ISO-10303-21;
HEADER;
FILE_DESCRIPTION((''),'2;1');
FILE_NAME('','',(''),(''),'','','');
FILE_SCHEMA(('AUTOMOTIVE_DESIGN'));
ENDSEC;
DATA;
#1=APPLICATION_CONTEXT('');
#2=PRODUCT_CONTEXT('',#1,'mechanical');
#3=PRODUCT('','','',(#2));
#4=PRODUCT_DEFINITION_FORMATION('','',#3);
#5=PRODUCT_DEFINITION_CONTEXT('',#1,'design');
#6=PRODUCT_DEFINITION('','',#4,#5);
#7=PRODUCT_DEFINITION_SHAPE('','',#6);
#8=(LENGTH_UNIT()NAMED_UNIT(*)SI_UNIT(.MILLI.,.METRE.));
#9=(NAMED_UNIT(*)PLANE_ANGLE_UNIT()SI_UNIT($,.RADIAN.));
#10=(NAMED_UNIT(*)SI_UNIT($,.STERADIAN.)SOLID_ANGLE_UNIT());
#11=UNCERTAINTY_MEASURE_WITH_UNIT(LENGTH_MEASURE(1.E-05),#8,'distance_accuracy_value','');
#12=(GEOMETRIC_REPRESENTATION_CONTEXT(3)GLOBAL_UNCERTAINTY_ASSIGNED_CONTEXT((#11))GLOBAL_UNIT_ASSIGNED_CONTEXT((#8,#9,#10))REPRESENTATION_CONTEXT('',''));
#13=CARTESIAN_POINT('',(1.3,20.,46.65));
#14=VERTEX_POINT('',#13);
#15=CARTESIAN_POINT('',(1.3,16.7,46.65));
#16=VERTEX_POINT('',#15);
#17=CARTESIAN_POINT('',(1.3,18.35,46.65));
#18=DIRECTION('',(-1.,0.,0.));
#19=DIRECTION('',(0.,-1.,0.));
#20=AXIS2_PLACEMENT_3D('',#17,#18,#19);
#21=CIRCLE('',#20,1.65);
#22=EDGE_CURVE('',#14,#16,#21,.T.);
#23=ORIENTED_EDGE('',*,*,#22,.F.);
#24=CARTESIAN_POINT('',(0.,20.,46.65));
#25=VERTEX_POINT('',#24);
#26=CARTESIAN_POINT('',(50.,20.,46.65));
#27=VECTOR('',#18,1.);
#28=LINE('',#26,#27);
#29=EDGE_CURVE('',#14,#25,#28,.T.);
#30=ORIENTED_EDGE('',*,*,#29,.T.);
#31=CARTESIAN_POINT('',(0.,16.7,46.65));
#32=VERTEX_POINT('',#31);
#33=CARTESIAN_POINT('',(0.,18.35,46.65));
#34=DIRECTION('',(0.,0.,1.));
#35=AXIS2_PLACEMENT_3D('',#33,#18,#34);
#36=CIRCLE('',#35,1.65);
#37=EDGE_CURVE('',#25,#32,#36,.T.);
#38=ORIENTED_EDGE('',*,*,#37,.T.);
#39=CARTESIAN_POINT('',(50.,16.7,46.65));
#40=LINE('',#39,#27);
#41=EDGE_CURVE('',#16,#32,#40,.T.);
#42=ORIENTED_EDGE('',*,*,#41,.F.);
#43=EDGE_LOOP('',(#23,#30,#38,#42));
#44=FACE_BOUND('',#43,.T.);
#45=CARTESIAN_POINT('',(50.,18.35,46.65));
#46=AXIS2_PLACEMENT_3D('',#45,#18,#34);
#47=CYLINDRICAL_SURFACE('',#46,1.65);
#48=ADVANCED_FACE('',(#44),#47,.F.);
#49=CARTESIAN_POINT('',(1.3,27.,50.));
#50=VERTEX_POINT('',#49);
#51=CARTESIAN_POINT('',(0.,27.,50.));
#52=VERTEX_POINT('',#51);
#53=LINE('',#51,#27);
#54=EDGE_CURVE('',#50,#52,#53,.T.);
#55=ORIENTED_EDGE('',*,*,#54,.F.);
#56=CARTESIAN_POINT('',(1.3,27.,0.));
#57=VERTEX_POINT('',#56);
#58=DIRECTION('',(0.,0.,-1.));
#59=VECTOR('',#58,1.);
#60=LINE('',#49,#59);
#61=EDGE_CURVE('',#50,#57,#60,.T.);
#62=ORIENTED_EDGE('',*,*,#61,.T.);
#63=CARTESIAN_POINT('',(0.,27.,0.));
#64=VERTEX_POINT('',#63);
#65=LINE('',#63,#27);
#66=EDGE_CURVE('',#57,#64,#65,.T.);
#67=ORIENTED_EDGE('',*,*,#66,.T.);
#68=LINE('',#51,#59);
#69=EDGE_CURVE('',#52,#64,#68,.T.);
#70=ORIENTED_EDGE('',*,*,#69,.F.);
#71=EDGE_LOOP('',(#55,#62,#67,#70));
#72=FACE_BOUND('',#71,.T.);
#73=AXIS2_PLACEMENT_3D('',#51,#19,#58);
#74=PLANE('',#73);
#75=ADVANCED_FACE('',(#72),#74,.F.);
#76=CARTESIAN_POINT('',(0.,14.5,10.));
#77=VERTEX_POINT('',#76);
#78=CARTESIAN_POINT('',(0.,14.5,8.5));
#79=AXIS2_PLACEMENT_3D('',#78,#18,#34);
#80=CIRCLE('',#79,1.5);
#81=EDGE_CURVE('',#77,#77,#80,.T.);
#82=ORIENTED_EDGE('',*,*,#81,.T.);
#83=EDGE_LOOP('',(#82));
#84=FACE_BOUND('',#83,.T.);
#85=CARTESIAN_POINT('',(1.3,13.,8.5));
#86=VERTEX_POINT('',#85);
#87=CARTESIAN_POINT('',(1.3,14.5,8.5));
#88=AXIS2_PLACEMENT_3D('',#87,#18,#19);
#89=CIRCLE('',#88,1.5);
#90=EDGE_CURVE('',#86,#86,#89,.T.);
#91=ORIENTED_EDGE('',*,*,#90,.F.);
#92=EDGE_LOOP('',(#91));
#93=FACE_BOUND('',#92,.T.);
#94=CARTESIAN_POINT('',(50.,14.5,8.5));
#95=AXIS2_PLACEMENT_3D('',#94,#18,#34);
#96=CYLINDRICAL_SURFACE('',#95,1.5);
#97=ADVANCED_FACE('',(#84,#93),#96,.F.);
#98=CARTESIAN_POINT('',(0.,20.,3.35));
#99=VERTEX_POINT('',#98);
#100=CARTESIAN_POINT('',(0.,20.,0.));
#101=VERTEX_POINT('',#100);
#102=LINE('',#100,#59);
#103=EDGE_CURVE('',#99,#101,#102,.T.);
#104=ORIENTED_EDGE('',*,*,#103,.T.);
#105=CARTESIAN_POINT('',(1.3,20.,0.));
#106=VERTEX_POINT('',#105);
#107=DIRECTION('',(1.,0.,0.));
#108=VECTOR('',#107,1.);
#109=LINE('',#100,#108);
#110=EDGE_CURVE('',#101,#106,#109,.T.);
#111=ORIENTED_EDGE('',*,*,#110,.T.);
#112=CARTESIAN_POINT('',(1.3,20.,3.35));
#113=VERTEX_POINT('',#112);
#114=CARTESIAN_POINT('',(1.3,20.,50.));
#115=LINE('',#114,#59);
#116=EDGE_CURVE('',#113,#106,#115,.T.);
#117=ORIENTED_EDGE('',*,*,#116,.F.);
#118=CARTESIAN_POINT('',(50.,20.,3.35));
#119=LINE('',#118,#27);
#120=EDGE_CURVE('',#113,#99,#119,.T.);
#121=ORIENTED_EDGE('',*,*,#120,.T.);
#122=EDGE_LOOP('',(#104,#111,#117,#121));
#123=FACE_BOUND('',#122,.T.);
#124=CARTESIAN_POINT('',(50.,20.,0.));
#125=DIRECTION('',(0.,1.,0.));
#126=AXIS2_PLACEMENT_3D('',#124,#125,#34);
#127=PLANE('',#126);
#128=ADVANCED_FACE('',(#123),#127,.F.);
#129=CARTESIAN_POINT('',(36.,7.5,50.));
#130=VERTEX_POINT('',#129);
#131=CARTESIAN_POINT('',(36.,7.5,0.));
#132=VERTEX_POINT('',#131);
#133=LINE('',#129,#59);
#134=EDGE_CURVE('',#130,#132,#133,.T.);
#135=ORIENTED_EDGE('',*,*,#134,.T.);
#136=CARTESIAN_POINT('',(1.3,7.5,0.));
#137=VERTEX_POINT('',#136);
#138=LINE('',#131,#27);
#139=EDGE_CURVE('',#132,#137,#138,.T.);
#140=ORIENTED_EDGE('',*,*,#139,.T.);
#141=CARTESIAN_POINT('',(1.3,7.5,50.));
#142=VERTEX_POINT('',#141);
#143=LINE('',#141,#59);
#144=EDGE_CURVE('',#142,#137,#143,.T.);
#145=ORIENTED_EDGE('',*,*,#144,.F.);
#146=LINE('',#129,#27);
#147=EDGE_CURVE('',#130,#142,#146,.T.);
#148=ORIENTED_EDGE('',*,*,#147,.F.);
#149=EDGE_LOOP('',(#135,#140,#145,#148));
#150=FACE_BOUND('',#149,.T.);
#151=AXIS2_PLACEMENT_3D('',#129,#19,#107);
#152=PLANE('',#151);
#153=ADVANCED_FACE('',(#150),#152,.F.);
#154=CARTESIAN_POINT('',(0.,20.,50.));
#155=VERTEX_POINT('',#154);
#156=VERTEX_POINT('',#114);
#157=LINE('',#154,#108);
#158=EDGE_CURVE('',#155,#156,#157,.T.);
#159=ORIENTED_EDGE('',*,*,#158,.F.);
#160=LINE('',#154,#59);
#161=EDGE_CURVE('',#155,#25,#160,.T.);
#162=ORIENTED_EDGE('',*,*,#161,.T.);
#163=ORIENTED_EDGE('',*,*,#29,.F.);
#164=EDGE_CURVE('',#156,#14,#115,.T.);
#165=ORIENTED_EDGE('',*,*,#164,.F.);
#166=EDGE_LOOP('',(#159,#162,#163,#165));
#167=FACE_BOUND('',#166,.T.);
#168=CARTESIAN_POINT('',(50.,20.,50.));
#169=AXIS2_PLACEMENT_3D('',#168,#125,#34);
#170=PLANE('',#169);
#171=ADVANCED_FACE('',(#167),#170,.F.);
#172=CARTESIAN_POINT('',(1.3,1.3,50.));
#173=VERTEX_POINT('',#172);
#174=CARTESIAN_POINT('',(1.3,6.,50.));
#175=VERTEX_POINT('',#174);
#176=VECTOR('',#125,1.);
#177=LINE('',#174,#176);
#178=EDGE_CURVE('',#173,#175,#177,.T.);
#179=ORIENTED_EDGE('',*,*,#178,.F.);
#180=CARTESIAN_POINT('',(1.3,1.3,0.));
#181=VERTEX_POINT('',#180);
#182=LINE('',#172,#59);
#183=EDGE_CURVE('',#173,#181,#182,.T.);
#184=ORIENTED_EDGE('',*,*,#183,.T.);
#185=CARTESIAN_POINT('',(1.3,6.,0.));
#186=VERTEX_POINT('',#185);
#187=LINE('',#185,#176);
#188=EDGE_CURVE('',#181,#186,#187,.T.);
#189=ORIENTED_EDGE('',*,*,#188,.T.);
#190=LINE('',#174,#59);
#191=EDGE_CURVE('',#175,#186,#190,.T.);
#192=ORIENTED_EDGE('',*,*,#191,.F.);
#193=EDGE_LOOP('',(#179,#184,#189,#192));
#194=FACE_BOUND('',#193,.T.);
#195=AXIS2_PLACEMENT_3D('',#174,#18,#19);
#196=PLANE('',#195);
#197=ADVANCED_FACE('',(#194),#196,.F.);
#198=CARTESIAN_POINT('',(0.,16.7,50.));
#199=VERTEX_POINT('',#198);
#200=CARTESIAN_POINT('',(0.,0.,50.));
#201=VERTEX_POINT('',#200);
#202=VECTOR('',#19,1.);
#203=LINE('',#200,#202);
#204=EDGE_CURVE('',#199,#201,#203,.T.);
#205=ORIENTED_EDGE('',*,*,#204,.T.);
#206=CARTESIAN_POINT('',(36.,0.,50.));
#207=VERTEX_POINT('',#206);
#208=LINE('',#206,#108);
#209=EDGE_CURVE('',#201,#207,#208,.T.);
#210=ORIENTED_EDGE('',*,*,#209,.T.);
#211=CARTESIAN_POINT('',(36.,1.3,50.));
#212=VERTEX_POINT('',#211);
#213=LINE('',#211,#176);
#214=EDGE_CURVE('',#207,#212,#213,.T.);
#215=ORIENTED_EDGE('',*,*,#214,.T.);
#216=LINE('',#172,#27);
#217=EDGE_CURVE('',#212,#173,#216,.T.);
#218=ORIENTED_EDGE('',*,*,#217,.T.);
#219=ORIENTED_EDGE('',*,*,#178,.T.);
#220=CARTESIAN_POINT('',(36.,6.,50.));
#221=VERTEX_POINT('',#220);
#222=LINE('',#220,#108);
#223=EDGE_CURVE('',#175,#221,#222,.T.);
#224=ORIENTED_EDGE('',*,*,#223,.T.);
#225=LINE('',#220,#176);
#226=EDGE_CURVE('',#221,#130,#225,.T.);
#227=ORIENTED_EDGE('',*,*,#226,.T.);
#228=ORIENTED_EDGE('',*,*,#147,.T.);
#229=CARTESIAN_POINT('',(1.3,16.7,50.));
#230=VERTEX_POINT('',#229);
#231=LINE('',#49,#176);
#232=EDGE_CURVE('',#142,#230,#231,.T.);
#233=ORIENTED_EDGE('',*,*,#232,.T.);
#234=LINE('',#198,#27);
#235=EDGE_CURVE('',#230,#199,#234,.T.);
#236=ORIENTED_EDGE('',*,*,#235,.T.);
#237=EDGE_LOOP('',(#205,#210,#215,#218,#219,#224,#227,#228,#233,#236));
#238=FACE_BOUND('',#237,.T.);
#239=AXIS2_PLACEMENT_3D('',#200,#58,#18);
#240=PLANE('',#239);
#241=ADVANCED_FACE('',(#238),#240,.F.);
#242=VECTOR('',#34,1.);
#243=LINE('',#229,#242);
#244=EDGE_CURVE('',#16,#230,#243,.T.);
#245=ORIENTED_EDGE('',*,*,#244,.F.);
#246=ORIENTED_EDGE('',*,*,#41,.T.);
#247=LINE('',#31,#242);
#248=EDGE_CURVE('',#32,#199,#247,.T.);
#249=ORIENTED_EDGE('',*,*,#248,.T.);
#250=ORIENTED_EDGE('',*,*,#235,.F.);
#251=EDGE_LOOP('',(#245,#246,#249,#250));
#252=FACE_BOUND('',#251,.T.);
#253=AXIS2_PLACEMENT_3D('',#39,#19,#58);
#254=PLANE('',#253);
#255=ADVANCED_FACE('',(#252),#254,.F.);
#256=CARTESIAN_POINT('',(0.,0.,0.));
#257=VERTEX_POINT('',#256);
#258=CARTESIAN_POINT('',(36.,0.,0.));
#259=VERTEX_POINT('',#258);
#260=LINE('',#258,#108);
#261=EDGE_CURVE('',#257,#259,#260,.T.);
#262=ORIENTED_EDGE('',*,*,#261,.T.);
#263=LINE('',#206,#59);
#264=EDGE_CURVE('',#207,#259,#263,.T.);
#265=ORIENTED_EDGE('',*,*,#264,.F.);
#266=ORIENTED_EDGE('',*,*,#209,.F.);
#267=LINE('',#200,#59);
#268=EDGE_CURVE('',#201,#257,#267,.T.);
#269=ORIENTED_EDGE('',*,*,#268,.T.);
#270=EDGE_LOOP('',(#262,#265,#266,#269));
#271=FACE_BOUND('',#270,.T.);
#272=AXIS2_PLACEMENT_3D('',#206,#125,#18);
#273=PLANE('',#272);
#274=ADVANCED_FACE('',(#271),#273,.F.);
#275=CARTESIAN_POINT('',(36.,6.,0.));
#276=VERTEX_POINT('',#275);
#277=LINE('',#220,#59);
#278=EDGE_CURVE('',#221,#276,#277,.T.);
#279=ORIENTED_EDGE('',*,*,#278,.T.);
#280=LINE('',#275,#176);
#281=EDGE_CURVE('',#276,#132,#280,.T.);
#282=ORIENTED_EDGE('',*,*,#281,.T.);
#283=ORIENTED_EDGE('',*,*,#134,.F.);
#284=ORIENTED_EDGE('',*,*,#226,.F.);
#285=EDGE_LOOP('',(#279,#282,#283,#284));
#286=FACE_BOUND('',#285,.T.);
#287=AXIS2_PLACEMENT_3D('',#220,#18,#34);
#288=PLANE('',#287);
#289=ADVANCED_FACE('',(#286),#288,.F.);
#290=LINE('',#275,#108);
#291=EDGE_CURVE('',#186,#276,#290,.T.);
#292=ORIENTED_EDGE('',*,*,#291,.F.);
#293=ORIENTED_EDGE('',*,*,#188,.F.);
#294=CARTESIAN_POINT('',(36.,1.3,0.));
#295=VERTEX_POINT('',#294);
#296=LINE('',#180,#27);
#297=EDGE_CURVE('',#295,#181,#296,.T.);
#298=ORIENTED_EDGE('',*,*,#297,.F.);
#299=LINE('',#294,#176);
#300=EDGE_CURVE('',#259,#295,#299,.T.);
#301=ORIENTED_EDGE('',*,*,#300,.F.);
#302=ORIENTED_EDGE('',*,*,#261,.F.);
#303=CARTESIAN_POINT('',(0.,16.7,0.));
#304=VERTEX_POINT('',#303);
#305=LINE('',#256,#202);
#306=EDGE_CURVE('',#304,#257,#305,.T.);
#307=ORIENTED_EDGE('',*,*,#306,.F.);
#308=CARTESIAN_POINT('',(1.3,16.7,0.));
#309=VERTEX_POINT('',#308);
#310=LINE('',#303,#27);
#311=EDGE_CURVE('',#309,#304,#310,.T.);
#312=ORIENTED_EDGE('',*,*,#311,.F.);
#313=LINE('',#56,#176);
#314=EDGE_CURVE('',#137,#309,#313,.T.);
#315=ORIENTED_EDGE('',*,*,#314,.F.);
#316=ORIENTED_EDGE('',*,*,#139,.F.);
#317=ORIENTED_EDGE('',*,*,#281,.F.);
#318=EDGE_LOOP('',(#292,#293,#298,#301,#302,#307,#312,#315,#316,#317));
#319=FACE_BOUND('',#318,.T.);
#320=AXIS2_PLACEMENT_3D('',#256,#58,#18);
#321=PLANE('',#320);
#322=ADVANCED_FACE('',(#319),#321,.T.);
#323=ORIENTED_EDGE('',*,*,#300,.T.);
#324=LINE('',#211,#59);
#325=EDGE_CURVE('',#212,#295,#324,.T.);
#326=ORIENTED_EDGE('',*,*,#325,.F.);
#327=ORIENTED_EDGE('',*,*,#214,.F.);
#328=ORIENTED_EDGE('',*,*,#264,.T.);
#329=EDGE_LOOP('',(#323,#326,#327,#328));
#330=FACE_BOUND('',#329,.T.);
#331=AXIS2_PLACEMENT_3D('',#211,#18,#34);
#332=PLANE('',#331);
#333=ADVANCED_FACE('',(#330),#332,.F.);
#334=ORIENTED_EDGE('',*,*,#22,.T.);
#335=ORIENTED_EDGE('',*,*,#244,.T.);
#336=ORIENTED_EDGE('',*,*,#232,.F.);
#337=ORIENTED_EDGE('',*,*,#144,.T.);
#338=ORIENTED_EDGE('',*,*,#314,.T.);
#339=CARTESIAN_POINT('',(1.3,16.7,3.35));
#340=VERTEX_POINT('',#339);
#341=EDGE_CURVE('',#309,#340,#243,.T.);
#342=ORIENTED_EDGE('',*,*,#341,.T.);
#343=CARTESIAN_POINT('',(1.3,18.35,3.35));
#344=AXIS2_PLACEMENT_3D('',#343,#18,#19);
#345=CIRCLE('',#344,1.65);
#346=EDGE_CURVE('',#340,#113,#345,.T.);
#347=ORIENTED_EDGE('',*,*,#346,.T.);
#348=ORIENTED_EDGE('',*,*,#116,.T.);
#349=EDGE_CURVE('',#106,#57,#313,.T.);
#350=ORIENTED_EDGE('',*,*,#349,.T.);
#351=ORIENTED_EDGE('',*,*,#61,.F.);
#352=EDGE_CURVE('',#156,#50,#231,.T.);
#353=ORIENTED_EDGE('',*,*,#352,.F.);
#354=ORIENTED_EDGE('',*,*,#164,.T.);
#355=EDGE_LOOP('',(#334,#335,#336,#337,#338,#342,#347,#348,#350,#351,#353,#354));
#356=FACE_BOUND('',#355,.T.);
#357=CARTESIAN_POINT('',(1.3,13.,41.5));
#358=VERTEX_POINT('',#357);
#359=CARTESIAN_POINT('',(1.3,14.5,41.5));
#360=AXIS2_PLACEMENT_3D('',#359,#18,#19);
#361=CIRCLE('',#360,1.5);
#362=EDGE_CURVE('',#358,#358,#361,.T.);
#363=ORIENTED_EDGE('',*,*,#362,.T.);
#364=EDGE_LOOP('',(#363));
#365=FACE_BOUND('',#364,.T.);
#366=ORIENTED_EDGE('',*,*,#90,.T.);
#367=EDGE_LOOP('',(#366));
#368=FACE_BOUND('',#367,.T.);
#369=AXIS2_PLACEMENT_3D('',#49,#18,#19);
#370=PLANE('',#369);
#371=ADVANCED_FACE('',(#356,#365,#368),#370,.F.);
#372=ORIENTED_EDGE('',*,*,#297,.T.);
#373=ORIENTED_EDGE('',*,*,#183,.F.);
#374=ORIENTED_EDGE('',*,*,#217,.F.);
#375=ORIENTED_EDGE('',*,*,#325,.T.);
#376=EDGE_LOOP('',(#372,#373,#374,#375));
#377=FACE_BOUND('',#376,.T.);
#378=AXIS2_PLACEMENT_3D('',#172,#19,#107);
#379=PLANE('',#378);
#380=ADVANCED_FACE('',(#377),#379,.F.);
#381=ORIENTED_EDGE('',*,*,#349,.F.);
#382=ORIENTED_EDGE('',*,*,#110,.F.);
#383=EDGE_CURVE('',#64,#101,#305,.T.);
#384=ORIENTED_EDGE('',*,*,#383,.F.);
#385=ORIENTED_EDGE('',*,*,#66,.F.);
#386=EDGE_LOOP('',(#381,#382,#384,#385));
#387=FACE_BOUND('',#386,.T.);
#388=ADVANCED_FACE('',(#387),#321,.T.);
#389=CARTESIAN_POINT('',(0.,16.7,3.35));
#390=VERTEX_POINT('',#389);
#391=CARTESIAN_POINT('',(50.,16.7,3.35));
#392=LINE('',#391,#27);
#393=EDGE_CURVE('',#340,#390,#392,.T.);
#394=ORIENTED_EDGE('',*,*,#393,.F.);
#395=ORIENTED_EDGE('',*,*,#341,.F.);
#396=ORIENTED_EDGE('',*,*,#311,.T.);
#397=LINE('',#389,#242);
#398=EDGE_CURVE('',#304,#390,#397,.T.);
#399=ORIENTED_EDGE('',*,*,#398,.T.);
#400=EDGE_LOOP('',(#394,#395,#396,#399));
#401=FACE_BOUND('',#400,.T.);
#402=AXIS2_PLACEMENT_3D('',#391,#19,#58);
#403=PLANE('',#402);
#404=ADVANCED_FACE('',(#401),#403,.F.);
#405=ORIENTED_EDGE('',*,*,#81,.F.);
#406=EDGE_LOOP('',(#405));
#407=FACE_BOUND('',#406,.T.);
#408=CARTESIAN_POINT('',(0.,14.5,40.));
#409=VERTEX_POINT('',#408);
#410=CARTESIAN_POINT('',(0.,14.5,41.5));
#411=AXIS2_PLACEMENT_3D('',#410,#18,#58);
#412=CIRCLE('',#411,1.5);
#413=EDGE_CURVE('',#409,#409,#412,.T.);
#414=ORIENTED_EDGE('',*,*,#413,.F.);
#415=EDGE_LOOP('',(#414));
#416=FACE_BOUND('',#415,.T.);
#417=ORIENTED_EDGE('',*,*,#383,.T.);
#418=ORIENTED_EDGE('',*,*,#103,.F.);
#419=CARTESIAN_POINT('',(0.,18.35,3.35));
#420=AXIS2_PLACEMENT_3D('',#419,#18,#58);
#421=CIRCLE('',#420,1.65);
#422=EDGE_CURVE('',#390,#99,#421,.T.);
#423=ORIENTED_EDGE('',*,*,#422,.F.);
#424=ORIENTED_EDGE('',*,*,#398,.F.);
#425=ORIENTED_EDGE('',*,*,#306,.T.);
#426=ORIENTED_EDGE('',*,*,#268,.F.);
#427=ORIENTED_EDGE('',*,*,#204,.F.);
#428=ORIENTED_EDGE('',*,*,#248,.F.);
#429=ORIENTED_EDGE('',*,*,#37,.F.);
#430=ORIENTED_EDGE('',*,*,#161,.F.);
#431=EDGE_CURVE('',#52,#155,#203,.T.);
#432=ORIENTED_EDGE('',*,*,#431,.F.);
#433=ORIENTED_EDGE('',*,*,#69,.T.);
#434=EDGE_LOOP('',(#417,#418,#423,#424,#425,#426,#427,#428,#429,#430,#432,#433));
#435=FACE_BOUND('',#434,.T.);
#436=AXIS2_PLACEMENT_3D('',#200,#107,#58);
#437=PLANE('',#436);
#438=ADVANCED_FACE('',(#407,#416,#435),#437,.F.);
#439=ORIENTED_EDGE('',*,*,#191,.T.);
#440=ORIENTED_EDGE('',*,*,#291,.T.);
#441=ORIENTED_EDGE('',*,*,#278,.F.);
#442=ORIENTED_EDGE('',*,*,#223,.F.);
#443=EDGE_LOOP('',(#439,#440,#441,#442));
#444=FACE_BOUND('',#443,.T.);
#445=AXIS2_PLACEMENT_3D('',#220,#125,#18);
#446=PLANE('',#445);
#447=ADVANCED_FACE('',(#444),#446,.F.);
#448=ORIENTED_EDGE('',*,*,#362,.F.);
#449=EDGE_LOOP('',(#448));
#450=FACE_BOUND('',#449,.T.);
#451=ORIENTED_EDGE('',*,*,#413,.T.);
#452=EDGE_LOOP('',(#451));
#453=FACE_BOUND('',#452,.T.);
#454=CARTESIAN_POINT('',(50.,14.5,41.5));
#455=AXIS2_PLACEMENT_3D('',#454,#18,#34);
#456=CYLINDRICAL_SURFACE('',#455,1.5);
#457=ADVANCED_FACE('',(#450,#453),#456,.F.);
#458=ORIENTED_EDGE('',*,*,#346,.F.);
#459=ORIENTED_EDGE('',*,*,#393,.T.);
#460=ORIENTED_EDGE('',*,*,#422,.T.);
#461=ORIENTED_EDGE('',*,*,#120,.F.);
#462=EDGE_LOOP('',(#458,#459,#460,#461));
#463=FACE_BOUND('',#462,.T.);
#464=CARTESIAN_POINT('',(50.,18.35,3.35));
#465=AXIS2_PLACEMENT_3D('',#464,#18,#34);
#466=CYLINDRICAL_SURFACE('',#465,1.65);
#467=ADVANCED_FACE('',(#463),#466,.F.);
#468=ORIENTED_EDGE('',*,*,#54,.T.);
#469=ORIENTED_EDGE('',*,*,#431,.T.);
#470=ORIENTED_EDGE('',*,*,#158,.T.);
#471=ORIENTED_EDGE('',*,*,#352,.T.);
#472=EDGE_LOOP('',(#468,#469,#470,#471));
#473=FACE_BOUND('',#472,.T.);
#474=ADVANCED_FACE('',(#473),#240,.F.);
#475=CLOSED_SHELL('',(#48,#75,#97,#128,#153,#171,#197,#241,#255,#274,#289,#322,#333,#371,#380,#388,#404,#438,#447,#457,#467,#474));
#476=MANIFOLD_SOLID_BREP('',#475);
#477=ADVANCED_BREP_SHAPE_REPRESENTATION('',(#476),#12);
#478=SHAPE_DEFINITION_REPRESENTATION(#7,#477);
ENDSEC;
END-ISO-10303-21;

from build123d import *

# Parameters (mm, degrees)
RESSALTO_EXTRUS_O1_DEPTH = 50
ESBO_O2_R                = 1.5
CORTE_EXTRUS_O1_DEPTH    = 50


with BuildPart() as part:
    # Esboço1 → Ressalto-extrusão1 (new body)
    with BuildSketch(Plane.XY):
        Polygon((0, 0), (0, 27), (1.3, 27), (1.3, 7.5), (36, 7.5), (36, 6), (1.3, 6), (1.3, 1.3), (36, 1.3), (36, 0), align=None)
    extrude(amount=RESSALTO_EXTRUS_O1_DEPTH)

    # Esboço2 → Corte-extrusão1 (cut)
    with BuildSketch(Plane.ZY):
        with Locations((8.5, 14.5)):
            Circle(ESBO_O2_R)
        with Locations((41.5, 14.5)):
            Circle(ESBO_O2_R)
        with BuildLine():
            Line((0, 20), (3.35, 20))
            ThreePointArc((3.35, 20), (5, 18.35), (3.35, 16.7))
            Line((3.35, 16.7), (0, 16.7))
            Line((0, 16.7), (0, 20))
        make_face()
        with BuildLine():
            Line((50, 16.7), (50, 20))
            Line((50, 20), (46.65, 20))
            ThreePointArc((46.65, 20), (45, 18.35), (46.65, 16.7))
            Line((46.65, 16.7), (50, 16.7))
        make_face()
    extrude(amount=-CORTE_EXTRUS_O1_DEPTH, mode=Mode.SUBTRACT)


solid = part.part
